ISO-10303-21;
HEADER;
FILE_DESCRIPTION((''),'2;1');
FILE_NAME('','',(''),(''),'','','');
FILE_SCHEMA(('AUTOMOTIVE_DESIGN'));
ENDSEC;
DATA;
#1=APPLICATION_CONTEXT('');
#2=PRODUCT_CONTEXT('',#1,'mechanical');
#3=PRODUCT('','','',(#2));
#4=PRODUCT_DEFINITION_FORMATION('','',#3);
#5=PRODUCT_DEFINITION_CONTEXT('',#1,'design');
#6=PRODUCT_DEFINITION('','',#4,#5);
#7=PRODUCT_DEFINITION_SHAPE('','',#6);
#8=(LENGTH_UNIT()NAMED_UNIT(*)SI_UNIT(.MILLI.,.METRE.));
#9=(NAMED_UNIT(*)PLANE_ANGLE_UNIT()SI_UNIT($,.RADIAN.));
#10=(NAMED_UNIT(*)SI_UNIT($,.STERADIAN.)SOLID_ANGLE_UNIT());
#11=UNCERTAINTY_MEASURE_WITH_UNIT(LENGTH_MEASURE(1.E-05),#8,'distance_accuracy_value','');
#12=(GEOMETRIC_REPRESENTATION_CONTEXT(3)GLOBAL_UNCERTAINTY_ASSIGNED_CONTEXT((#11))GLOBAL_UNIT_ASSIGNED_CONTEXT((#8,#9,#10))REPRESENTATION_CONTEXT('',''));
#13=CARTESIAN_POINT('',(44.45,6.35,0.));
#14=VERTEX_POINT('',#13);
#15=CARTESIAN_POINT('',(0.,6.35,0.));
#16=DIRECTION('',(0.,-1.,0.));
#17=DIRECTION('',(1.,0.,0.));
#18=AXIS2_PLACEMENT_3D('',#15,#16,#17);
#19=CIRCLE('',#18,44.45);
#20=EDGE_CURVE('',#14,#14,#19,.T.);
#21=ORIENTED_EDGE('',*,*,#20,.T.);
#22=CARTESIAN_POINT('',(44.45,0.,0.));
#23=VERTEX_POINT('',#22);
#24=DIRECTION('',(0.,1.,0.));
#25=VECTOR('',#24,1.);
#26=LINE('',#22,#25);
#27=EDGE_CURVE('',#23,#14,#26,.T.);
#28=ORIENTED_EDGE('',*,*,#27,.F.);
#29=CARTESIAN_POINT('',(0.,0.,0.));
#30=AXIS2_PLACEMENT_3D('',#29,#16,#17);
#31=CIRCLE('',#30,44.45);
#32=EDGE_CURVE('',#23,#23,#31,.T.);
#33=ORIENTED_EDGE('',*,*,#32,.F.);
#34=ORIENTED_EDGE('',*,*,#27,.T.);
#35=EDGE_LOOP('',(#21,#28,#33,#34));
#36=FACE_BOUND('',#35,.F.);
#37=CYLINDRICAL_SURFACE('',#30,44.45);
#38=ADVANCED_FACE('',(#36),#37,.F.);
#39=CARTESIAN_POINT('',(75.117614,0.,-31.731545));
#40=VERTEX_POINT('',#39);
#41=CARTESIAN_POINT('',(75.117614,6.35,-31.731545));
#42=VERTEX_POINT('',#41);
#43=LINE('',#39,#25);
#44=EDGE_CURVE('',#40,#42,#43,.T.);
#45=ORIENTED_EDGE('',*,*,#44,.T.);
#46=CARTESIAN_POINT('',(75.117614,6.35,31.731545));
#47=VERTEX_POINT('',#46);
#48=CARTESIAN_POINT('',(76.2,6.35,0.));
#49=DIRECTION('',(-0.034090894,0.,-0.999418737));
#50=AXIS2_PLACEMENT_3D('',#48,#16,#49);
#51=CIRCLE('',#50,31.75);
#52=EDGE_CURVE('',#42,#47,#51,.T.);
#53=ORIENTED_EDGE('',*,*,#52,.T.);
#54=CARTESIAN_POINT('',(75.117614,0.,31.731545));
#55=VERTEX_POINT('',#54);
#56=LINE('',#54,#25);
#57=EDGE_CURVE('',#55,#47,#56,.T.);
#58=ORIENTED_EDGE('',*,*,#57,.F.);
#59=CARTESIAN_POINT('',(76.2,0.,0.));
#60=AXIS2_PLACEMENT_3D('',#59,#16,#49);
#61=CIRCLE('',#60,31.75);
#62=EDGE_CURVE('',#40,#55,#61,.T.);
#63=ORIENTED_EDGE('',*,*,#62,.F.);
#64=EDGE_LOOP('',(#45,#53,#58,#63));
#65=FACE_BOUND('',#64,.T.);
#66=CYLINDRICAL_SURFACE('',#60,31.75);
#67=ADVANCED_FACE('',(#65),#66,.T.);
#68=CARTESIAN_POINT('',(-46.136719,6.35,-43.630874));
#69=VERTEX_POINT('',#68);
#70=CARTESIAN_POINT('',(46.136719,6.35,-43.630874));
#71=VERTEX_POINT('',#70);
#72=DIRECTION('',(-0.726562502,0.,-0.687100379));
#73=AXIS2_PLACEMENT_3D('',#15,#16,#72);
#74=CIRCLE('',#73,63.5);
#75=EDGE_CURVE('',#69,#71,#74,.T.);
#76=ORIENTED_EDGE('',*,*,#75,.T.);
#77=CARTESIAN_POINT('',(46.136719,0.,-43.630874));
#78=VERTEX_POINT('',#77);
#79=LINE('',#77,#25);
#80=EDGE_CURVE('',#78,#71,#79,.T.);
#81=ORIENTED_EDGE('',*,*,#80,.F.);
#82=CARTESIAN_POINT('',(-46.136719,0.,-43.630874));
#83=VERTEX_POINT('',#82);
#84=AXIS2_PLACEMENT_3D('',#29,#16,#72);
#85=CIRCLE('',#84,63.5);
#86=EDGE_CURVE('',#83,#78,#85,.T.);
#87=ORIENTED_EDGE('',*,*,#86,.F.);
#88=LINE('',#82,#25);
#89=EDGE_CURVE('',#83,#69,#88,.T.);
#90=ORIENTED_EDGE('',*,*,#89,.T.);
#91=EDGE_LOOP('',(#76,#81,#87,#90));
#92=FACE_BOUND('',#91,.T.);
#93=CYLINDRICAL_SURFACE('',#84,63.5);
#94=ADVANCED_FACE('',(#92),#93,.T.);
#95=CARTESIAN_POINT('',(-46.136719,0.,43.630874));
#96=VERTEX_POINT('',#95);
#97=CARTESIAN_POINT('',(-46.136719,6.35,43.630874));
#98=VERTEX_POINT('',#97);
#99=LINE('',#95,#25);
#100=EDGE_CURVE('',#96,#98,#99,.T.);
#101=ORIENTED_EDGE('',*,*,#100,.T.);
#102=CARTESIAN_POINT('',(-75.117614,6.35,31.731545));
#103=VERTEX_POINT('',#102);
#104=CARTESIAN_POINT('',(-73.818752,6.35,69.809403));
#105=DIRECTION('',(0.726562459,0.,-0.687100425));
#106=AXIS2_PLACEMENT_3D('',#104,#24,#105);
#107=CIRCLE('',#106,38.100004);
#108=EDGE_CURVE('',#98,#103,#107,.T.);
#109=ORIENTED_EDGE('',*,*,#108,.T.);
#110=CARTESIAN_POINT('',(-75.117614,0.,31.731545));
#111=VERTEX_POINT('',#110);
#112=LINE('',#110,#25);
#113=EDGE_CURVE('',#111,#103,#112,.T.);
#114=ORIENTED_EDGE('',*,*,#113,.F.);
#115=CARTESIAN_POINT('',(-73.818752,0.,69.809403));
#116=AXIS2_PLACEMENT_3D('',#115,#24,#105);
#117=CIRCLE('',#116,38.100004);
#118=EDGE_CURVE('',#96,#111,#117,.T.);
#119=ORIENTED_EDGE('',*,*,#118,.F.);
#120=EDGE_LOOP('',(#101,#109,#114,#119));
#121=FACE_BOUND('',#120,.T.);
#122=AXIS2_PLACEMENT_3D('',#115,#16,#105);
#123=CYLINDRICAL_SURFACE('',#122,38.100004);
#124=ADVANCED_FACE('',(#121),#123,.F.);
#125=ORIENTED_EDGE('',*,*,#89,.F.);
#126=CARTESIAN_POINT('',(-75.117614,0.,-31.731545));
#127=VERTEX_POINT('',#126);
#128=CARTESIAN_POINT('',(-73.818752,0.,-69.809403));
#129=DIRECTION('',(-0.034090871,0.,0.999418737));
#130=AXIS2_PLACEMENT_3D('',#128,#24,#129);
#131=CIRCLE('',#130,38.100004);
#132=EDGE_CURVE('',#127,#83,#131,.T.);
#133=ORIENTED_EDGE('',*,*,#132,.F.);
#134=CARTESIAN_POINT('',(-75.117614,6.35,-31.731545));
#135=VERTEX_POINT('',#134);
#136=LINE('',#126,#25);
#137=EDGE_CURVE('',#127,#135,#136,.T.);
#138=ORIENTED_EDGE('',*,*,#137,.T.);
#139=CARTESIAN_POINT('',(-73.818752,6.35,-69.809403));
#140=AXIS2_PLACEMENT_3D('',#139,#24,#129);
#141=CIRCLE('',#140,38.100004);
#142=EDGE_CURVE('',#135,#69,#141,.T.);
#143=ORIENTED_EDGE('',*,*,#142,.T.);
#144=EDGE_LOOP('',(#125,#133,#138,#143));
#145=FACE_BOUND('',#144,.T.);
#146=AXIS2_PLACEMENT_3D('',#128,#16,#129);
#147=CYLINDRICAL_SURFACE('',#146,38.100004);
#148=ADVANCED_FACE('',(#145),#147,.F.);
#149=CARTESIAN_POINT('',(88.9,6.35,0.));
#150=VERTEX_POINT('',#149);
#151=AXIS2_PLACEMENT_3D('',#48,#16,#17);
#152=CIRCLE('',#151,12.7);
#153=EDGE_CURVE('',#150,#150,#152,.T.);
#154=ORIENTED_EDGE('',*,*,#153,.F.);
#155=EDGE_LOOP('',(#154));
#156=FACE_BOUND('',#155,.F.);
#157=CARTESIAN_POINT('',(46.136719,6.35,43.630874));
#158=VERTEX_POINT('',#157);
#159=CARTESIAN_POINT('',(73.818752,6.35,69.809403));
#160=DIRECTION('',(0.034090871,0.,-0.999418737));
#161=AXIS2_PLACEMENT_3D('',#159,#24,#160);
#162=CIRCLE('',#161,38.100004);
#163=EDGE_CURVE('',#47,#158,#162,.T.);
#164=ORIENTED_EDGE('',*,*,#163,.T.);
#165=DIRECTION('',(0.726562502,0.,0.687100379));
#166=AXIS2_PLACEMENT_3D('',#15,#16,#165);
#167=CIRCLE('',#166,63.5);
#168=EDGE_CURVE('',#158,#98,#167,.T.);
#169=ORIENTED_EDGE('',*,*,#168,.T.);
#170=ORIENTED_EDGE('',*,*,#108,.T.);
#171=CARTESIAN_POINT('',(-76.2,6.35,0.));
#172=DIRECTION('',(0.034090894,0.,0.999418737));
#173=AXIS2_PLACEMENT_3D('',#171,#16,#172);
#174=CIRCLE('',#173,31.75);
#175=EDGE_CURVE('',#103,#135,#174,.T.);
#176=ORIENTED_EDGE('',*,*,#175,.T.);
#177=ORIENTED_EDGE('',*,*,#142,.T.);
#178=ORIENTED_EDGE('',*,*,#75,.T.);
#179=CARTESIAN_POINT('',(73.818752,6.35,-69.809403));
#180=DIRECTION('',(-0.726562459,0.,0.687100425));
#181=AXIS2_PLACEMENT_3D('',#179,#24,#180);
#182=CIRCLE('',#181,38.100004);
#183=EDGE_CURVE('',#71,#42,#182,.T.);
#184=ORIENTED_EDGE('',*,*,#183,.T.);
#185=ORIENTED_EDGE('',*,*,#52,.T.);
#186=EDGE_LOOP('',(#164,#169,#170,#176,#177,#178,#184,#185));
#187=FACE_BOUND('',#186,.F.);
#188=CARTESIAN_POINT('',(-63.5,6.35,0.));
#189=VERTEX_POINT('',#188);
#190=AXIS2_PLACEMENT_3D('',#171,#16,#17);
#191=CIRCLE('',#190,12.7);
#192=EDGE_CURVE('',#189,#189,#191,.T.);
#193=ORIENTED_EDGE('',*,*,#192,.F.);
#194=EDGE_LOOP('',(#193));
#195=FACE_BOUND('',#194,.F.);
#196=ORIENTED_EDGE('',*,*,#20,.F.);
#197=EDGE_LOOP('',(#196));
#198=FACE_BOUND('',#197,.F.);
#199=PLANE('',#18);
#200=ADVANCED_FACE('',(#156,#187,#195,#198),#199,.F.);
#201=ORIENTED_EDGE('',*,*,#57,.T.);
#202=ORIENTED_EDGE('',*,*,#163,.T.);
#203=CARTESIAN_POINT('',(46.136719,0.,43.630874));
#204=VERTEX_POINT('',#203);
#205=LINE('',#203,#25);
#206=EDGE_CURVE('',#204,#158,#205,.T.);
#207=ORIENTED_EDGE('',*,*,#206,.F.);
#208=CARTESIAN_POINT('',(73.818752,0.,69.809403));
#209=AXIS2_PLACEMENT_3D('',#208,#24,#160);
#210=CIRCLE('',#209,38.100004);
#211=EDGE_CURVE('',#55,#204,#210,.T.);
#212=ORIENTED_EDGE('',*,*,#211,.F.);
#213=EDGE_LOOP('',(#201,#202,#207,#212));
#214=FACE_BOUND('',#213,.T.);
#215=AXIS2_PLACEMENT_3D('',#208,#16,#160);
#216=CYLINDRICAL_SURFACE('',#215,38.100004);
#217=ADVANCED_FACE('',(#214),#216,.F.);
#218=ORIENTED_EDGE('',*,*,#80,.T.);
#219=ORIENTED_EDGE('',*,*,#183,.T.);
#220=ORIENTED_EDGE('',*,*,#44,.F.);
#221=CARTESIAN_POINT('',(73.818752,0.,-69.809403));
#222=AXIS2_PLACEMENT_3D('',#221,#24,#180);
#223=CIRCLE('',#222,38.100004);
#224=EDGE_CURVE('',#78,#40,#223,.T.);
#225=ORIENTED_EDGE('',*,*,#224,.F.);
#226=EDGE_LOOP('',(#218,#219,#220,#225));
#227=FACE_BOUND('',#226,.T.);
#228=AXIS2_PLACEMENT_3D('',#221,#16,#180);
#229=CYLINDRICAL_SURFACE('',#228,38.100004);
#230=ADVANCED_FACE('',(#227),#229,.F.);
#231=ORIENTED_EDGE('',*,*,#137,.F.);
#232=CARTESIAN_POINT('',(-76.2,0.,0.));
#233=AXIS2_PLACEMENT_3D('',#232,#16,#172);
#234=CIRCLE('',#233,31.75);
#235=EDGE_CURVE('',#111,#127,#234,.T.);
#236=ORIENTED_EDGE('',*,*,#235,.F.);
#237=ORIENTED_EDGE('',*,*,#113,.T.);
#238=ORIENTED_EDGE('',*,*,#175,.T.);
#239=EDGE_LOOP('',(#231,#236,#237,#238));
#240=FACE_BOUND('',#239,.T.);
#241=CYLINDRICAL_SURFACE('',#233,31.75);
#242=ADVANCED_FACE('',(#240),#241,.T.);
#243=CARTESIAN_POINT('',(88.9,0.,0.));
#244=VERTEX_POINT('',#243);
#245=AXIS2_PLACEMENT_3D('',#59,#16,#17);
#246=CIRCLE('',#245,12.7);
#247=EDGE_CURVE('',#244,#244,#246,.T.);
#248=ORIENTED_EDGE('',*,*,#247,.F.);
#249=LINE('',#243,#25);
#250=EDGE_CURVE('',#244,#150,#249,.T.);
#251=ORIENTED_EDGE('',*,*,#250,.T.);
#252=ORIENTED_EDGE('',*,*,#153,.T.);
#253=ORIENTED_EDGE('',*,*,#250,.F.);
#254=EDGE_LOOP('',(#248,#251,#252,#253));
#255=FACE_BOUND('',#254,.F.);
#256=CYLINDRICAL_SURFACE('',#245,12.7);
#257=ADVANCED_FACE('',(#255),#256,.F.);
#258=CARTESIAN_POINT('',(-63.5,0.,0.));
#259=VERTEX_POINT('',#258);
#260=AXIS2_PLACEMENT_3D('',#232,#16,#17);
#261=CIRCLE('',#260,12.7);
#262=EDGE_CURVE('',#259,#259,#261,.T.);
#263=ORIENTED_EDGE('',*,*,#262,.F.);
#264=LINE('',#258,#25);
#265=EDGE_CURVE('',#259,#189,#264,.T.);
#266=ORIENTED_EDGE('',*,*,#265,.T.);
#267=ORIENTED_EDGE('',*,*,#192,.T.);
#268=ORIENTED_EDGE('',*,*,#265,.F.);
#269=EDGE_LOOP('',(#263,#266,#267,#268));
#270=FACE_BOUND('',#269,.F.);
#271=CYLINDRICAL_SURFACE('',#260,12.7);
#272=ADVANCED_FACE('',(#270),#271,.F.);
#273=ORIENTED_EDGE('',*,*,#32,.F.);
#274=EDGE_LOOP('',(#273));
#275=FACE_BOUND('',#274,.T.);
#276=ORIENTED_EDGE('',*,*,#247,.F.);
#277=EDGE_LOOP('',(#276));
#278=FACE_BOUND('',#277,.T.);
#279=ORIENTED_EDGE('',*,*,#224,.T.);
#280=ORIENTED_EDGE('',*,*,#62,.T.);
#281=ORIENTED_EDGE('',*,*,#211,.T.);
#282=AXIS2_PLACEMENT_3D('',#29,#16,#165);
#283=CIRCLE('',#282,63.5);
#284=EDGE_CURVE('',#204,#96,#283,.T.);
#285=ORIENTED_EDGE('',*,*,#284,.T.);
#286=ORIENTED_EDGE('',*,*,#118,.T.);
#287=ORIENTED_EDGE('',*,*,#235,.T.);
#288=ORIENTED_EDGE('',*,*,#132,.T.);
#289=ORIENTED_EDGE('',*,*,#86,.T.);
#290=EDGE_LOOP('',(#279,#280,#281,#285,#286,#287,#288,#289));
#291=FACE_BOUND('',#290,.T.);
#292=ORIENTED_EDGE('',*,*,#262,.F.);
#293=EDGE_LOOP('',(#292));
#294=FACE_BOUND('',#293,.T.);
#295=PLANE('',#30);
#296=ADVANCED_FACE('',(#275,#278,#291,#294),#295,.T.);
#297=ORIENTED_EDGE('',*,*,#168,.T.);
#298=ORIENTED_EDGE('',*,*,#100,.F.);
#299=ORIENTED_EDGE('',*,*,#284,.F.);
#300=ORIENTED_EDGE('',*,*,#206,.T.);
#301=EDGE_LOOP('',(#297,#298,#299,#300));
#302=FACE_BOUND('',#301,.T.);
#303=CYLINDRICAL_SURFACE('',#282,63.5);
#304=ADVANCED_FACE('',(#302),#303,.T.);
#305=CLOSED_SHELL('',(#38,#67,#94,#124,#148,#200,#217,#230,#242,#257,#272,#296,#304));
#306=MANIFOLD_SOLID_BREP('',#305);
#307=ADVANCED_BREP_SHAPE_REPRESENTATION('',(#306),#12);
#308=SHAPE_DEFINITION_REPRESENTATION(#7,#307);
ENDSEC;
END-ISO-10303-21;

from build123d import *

# Parameters (mm, degrees)
F0_R     = 12.7
F0_R_2   = 44.45
F1_DEPTH = 6.35


with BuildPart() as f1:
    # F0 (on Front) → F1 (new body)
    with BuildSketch(Plane.XZ):
        with BuildLine():
            ThreePointArc((75.117614, 31.731545), (59.347524, 34.564632), (46.136719, 43.630874))
            ThreePointArc((46.136719, 43.630874), (0, 63.5), (-46.136719, 43.630874))
            ThreePointArc((-46.136719, 43.630874), (-59.347524, 34.564632), (-75.117614, 31.731545))
            ThreePointArc((-75.117614, 31.731545), (-107.95, 0), (-75.117614, -31.731545))
            ThreePointArc((-75.117614, -31.731545), (-59.347524, -34.564632), (-46.136719, -43.630874))
            ThreePointArc((-46.136719, -43.630874), (0, -63.5), (46.136719, -43.630874))
            ThreePointArc((46.136719, -43.630874), (59.347524, -34.564632), (75.117614, -31.731545))
            ThreePointArc((75.117614, -31.731545), (107.95, 0), (75.117614, 31.731545))
        make_face()
        with Locations((-76.2, 0)):
            Circle(F0_R, mode=Mode.SUBTRACT)
        Circle(F0_R_2, mode=Mode.SUBTRACT)
        with Locations((76.2, 0)):
            Circle(F0_R, mode=Mode.SUBTRACT)
    extrude(amount=-F1_DEPTH)


solid = f1.part
